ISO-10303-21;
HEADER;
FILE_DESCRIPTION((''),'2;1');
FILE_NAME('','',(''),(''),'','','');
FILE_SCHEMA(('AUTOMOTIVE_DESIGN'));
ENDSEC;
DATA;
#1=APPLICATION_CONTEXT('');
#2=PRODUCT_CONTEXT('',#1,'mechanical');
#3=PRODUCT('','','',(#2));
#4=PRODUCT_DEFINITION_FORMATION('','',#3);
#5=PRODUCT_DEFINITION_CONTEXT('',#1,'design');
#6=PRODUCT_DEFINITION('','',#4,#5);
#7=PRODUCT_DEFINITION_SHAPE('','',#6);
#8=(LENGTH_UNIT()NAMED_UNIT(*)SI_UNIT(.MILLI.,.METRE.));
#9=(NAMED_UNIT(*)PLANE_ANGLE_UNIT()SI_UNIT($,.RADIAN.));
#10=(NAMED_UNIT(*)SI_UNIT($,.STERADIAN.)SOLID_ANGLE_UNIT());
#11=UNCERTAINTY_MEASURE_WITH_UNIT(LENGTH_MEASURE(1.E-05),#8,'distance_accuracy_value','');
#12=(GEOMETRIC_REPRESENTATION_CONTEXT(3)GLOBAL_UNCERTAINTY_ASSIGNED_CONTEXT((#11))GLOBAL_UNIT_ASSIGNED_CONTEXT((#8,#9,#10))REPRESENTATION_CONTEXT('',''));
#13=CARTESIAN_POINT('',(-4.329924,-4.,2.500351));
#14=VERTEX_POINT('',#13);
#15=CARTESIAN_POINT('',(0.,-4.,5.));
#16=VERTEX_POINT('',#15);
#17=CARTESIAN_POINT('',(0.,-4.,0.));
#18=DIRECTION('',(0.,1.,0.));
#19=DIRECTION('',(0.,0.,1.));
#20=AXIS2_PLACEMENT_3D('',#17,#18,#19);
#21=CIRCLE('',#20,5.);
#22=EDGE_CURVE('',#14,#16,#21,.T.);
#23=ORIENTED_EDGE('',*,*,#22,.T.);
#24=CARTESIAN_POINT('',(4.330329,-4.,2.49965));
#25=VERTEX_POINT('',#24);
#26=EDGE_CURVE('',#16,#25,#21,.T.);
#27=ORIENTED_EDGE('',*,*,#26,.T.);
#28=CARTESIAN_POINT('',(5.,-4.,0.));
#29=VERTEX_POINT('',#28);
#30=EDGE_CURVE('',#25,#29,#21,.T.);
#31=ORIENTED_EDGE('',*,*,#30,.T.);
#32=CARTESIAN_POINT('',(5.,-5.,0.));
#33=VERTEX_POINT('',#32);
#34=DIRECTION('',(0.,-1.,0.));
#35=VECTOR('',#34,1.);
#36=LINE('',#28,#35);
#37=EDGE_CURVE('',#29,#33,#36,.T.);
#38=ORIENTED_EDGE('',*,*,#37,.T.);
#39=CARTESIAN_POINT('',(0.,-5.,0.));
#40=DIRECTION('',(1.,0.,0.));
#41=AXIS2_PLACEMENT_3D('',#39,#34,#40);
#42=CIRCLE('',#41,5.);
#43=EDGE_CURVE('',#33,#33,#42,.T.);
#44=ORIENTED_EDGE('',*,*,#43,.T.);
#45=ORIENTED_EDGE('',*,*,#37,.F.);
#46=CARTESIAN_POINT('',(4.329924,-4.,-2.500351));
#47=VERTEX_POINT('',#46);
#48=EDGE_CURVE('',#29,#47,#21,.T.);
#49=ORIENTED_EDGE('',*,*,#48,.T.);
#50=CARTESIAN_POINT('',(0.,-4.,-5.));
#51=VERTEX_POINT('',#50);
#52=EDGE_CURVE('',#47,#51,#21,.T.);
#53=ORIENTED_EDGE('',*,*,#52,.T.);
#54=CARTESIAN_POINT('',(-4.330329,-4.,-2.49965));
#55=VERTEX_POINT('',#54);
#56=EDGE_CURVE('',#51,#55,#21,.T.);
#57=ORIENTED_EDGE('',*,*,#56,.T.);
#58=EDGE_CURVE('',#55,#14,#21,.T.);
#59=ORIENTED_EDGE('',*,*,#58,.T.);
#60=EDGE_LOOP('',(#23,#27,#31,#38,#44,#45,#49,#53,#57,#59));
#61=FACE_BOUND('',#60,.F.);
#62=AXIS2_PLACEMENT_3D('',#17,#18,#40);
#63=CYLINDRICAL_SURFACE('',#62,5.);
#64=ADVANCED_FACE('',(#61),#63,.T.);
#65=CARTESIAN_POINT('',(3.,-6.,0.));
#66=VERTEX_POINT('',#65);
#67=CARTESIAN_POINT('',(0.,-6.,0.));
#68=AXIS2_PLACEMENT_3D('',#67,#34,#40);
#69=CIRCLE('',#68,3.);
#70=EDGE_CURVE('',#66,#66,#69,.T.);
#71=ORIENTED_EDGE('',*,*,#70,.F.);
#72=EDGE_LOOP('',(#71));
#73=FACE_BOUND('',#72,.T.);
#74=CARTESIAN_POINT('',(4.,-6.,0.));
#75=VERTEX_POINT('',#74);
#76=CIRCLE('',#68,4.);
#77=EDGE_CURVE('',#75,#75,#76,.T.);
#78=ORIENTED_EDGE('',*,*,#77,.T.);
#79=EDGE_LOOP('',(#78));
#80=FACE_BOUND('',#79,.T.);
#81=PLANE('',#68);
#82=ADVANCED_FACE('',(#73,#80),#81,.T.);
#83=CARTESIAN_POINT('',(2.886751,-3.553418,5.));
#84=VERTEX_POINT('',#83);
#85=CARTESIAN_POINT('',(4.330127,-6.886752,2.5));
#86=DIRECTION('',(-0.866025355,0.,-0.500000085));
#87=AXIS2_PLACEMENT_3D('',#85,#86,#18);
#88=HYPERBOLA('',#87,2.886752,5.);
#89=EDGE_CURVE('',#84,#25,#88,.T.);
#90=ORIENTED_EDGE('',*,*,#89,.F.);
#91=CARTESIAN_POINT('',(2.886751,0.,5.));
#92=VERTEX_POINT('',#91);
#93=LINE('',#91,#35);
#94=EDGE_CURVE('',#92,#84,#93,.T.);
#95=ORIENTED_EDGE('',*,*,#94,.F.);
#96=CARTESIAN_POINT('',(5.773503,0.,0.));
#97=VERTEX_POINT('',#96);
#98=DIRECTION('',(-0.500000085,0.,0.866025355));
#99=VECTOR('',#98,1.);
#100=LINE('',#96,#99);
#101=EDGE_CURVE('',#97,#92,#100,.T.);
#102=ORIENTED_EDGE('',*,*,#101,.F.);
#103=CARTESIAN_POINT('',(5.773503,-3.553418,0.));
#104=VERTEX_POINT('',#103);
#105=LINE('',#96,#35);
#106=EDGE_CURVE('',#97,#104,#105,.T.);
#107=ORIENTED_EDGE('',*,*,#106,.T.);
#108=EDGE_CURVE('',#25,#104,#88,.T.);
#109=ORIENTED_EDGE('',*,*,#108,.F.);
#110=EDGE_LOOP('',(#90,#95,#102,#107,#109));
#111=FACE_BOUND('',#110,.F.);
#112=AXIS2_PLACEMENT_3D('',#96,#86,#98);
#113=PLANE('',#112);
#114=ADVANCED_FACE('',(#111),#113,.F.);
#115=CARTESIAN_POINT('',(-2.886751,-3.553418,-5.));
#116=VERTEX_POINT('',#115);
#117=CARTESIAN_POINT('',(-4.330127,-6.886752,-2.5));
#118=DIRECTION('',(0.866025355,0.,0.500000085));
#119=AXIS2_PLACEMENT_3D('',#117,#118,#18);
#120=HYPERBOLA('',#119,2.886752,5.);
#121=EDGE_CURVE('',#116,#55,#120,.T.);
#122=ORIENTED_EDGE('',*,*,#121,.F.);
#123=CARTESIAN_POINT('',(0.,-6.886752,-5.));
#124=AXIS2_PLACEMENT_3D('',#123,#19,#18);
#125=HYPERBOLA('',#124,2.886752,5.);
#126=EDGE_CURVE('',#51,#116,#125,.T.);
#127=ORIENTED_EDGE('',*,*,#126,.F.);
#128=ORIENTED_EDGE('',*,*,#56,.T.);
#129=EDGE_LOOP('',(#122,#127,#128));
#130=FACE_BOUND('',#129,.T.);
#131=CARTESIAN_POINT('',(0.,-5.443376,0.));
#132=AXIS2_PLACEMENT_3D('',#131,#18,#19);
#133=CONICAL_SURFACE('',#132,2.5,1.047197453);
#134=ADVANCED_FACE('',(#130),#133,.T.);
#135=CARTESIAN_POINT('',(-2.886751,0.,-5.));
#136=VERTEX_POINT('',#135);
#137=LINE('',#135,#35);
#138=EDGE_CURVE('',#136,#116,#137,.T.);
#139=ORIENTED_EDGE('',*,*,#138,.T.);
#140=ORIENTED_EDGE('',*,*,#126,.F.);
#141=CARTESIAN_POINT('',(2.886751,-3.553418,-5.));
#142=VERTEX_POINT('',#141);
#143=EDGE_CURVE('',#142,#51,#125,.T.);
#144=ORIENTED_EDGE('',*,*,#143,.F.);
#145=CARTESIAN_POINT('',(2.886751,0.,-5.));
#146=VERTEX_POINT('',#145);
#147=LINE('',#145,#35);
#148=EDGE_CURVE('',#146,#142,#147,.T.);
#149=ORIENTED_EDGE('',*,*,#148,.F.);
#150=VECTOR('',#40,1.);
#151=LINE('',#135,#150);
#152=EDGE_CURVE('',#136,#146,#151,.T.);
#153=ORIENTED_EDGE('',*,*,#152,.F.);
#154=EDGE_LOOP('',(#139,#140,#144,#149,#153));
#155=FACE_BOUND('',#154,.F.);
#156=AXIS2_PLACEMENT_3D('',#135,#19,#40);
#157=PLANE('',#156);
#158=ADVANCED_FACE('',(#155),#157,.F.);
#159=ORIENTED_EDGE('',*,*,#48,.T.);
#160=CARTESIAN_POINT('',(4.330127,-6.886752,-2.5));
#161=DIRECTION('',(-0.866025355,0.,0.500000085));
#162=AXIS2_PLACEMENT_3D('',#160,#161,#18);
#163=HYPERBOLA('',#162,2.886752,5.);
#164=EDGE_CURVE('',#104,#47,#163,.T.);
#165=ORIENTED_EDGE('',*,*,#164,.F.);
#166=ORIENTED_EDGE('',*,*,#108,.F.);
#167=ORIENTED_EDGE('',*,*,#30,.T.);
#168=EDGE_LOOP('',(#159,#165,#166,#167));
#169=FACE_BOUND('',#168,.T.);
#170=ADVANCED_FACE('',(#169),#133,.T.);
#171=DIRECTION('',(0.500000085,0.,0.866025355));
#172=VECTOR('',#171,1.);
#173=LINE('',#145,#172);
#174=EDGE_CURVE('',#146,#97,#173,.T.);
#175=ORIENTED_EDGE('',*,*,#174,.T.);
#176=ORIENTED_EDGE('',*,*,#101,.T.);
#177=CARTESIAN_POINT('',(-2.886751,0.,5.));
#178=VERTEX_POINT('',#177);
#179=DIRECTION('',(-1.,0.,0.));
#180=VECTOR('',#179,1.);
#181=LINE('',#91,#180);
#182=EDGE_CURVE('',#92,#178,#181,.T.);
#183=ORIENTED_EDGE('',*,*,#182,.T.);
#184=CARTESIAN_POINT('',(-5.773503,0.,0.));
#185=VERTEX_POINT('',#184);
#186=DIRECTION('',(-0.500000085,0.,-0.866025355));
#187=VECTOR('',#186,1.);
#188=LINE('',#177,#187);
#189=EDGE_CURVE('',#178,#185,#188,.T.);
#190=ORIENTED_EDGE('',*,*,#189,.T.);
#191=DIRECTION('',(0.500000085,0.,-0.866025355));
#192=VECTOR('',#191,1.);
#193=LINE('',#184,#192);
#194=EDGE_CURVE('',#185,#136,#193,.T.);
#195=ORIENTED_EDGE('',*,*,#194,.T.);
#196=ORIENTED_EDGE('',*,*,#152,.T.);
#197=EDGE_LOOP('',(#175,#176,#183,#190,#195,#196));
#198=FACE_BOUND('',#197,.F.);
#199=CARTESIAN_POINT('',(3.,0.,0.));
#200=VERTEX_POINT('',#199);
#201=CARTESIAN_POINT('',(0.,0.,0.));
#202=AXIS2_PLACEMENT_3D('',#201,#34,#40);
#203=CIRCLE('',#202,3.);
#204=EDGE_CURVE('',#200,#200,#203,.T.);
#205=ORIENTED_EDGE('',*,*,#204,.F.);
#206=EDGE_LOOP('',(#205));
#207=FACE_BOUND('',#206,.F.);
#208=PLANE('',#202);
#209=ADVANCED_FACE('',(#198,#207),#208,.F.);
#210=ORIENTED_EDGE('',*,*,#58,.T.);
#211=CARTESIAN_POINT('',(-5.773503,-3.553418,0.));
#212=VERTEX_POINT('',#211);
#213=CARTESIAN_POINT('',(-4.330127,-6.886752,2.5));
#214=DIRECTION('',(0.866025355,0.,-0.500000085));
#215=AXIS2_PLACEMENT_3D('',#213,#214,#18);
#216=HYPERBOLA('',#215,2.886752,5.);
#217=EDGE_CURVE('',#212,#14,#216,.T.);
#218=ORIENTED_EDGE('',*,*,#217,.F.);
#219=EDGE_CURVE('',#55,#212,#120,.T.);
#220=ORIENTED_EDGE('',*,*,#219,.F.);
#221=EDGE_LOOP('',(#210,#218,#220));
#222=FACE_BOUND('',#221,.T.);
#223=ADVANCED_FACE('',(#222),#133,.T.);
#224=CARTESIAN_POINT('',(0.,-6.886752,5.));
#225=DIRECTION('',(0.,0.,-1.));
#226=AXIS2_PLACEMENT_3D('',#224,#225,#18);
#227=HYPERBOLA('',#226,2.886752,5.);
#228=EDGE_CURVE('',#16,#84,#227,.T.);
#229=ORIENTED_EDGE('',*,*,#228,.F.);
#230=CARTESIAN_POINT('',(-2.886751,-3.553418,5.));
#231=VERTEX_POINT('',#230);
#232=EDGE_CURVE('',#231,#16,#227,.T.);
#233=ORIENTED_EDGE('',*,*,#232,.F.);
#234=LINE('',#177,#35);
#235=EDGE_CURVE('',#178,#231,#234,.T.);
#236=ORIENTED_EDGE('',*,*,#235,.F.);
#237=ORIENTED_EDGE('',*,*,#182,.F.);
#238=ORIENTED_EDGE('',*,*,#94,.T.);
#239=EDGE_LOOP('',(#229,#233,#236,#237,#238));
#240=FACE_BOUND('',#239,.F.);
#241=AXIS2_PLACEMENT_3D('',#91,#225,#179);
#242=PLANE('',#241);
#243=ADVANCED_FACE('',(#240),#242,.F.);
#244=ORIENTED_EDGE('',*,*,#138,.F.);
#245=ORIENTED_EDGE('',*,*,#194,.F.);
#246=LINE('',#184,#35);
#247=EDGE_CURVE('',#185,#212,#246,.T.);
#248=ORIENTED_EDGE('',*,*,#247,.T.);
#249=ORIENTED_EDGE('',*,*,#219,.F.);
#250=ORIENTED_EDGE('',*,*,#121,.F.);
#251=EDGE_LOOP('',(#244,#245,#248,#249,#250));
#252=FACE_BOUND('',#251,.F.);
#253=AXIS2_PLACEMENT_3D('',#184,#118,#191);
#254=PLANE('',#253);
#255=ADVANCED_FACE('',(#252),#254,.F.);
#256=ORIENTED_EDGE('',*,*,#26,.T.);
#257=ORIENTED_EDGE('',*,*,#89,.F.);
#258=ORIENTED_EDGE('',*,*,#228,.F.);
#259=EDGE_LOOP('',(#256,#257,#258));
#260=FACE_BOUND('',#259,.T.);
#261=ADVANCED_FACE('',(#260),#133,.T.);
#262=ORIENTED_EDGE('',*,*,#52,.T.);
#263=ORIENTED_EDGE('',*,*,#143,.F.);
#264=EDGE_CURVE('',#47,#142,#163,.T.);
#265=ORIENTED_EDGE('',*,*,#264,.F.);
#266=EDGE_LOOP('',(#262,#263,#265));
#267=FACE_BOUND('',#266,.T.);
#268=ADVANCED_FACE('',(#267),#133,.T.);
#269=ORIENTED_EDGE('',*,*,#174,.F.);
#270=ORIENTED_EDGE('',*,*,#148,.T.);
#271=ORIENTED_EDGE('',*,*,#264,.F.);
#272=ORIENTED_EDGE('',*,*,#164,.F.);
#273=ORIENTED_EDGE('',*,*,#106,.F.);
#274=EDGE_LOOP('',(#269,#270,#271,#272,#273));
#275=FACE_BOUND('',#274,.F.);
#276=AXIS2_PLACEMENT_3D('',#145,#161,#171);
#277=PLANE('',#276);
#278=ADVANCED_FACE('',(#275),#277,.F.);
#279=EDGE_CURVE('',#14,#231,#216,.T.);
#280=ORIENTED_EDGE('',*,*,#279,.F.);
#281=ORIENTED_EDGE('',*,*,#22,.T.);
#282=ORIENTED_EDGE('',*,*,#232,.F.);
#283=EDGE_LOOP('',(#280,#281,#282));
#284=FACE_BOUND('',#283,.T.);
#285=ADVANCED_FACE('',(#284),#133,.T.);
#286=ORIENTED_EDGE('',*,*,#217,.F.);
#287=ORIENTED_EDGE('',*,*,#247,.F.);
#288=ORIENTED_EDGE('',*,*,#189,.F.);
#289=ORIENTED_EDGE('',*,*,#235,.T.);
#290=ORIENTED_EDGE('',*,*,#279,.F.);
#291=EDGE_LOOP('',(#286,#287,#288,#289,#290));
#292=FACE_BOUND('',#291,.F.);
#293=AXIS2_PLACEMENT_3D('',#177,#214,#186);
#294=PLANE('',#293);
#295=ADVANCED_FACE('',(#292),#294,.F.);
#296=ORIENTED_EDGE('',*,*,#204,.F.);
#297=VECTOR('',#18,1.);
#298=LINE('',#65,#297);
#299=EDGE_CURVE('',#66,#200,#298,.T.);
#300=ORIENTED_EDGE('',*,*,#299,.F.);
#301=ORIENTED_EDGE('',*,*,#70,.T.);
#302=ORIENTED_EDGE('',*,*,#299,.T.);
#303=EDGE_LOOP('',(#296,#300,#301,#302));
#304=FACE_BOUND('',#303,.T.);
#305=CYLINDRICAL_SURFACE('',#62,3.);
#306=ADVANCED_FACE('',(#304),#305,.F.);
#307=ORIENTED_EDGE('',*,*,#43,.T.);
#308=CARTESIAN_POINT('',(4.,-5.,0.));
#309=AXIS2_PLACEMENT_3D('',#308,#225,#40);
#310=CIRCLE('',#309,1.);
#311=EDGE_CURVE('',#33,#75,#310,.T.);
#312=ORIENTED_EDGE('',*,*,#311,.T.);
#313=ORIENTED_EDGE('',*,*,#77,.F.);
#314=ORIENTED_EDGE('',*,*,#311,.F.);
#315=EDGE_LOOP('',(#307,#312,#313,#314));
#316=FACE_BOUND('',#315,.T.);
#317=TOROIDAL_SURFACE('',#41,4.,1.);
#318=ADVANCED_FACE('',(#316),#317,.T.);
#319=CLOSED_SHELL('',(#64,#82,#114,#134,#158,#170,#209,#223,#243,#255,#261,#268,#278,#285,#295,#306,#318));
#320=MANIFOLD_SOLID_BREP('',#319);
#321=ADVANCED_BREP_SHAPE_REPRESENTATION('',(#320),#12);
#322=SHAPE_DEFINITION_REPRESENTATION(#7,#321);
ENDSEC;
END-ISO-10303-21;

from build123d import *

# Parameters (mm, degrees)
F0_R     = 3
F1_DEPTH = 4
F4_R     = 5
F4_R_2   = 3
F5_DEPTH = 2
F6_R     = 1


with BuildPart() as f1:
    # F0 (on Front) → F1 (new body)
    with BuildSketch(Plane.XZ):
        Polygon((2.886751, -5), (5.773503, 0), (2.886751, 5), (-2.886751, 5), (-5.773503, 0), (-2.886751, -5), align=None)
        Circle(F0_R, mode=Mode.SUBTRACT)
    extrude(amount=F1_DEPTH)

    # F2 (on Right) → F3 (revolve, cut)
    with BuildSketch(Plane.YZ):
        Polygon((-5.443376, 7.5), (-5.443376, 2.5), (-2.556624, 7.5), align=None)
    revolve(axis=Axis((0, 0, 0), (0, 1, 0)), mode=Mode.SUBTRACT)

    # F4 (on face) → F5 (join)
    with BuildSketch(Plane.XZ.offset(4)):
        Circle(F4_R)
        Circle(F4_R_2, mode=Mode.SUBTRACT)
    extrude(amount=F5_DEPTH)

    # F6
    f6_edges = [f1.edges().sort_by_distance(p)[0] for p in [
        (-5, -6, 0),
    ]]
    fillet(f6_edges, radius=F6_R)


solid = f1.part
